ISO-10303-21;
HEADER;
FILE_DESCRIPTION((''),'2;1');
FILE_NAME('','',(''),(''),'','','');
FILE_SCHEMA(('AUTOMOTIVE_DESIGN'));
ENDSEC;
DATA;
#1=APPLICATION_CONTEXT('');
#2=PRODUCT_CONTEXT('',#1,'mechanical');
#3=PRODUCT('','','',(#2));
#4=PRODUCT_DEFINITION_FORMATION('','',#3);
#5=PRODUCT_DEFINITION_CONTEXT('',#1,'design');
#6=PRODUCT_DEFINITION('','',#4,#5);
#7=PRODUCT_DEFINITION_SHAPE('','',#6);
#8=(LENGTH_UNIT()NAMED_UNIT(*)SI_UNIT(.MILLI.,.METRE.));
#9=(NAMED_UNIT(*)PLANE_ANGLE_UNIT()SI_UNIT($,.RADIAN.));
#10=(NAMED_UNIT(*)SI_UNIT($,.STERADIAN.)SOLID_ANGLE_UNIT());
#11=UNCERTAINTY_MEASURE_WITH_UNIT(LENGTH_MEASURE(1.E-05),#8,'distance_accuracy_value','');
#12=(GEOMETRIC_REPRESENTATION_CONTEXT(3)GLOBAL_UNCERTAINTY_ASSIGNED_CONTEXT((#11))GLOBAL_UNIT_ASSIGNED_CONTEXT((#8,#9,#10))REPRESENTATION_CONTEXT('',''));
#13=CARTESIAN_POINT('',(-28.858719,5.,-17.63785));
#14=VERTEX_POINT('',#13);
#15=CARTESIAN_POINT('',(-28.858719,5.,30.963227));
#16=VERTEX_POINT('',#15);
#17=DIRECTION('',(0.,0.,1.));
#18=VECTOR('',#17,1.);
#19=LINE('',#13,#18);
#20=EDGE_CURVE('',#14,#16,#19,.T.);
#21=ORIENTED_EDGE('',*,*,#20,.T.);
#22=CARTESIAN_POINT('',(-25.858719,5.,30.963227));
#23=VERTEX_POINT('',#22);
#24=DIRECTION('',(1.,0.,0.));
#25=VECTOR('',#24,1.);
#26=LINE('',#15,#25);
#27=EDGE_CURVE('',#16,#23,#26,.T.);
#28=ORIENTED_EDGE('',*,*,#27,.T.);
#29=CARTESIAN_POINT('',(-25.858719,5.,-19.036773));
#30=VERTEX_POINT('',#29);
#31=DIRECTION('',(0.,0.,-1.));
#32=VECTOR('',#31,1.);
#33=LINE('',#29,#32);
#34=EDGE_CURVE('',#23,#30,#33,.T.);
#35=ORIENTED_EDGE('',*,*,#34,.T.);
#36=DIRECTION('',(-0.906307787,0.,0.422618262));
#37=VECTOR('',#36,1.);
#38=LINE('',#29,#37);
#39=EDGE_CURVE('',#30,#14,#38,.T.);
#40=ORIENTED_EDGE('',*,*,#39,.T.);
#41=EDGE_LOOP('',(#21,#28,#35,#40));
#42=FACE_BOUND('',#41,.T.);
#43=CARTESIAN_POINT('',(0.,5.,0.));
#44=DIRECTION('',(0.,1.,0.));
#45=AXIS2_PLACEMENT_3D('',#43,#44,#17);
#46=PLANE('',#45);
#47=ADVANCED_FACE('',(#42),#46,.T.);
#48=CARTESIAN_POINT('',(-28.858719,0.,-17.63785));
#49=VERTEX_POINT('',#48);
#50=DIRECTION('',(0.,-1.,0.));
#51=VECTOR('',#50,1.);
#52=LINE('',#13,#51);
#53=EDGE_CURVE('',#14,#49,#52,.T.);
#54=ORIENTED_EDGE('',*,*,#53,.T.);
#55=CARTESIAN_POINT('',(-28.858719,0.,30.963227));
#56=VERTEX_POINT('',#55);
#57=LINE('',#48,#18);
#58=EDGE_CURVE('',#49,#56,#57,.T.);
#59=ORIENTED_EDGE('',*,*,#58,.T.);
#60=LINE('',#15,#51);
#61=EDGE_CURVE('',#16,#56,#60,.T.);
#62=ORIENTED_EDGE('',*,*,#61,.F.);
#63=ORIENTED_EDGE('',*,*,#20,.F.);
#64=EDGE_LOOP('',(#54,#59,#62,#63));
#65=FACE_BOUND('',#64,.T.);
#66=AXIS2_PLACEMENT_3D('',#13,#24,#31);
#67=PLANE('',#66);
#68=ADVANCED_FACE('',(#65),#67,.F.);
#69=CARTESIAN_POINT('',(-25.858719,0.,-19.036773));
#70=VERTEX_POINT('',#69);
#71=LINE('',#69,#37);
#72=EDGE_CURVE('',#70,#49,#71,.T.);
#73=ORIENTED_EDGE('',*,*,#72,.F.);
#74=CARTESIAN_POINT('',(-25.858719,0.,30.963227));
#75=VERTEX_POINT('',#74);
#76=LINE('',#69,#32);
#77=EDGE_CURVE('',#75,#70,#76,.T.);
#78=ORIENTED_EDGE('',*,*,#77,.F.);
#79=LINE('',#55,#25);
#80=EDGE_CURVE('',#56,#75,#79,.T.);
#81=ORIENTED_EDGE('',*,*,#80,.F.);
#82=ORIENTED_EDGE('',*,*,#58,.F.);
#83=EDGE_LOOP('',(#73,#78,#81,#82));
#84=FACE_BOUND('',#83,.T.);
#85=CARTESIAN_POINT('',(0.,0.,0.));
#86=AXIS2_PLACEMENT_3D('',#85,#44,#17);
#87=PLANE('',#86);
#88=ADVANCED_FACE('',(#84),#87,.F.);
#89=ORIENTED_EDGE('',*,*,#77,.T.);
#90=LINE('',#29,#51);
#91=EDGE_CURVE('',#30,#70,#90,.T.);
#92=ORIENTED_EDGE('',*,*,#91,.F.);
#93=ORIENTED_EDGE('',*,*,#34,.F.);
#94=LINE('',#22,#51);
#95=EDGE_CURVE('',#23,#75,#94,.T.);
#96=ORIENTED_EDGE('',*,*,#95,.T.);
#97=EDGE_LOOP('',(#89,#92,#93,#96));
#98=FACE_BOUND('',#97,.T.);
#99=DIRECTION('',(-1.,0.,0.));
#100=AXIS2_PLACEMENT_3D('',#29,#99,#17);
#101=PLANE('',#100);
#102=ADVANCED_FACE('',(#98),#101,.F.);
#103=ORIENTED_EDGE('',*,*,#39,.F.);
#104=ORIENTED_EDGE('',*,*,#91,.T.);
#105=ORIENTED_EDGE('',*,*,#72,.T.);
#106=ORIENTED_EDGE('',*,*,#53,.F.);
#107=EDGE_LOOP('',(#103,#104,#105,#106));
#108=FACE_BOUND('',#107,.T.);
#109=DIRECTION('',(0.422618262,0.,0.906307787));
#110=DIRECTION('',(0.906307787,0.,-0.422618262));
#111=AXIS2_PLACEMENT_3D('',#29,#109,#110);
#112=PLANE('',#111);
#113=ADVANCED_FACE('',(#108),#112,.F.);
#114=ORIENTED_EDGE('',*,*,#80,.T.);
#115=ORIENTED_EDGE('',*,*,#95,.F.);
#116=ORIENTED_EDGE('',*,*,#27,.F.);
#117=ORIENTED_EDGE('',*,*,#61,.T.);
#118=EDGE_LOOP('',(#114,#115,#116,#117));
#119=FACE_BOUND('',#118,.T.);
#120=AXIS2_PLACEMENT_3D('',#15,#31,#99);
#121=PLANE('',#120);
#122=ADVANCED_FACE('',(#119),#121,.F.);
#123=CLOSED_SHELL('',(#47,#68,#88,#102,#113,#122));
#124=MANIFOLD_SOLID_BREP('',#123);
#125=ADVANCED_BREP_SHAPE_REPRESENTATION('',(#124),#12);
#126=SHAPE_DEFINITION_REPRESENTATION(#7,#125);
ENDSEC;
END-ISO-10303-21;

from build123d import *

# Parameters (mm, degrees)
BOSS_EXTRUDE1_DEPTH = 5


with BuildPart() as part:
    # Sketch1 → Boss-Extrude1 (new body)
    with BuildSketch(Plane(origin=(0, 0, 0), x_dir=(1, 0, 0), z_dir=(0, 1, 0))):
        Polygon((-25.858718727, 19.036772542), (-28.858718727, 17.637849567), (-28.858718727, -30.963227458), (-25.858718727, -30.963227458), align=None)
    extrude(amount=BOSS_EXTRUDE1_DEPTH)


solid = part.part
